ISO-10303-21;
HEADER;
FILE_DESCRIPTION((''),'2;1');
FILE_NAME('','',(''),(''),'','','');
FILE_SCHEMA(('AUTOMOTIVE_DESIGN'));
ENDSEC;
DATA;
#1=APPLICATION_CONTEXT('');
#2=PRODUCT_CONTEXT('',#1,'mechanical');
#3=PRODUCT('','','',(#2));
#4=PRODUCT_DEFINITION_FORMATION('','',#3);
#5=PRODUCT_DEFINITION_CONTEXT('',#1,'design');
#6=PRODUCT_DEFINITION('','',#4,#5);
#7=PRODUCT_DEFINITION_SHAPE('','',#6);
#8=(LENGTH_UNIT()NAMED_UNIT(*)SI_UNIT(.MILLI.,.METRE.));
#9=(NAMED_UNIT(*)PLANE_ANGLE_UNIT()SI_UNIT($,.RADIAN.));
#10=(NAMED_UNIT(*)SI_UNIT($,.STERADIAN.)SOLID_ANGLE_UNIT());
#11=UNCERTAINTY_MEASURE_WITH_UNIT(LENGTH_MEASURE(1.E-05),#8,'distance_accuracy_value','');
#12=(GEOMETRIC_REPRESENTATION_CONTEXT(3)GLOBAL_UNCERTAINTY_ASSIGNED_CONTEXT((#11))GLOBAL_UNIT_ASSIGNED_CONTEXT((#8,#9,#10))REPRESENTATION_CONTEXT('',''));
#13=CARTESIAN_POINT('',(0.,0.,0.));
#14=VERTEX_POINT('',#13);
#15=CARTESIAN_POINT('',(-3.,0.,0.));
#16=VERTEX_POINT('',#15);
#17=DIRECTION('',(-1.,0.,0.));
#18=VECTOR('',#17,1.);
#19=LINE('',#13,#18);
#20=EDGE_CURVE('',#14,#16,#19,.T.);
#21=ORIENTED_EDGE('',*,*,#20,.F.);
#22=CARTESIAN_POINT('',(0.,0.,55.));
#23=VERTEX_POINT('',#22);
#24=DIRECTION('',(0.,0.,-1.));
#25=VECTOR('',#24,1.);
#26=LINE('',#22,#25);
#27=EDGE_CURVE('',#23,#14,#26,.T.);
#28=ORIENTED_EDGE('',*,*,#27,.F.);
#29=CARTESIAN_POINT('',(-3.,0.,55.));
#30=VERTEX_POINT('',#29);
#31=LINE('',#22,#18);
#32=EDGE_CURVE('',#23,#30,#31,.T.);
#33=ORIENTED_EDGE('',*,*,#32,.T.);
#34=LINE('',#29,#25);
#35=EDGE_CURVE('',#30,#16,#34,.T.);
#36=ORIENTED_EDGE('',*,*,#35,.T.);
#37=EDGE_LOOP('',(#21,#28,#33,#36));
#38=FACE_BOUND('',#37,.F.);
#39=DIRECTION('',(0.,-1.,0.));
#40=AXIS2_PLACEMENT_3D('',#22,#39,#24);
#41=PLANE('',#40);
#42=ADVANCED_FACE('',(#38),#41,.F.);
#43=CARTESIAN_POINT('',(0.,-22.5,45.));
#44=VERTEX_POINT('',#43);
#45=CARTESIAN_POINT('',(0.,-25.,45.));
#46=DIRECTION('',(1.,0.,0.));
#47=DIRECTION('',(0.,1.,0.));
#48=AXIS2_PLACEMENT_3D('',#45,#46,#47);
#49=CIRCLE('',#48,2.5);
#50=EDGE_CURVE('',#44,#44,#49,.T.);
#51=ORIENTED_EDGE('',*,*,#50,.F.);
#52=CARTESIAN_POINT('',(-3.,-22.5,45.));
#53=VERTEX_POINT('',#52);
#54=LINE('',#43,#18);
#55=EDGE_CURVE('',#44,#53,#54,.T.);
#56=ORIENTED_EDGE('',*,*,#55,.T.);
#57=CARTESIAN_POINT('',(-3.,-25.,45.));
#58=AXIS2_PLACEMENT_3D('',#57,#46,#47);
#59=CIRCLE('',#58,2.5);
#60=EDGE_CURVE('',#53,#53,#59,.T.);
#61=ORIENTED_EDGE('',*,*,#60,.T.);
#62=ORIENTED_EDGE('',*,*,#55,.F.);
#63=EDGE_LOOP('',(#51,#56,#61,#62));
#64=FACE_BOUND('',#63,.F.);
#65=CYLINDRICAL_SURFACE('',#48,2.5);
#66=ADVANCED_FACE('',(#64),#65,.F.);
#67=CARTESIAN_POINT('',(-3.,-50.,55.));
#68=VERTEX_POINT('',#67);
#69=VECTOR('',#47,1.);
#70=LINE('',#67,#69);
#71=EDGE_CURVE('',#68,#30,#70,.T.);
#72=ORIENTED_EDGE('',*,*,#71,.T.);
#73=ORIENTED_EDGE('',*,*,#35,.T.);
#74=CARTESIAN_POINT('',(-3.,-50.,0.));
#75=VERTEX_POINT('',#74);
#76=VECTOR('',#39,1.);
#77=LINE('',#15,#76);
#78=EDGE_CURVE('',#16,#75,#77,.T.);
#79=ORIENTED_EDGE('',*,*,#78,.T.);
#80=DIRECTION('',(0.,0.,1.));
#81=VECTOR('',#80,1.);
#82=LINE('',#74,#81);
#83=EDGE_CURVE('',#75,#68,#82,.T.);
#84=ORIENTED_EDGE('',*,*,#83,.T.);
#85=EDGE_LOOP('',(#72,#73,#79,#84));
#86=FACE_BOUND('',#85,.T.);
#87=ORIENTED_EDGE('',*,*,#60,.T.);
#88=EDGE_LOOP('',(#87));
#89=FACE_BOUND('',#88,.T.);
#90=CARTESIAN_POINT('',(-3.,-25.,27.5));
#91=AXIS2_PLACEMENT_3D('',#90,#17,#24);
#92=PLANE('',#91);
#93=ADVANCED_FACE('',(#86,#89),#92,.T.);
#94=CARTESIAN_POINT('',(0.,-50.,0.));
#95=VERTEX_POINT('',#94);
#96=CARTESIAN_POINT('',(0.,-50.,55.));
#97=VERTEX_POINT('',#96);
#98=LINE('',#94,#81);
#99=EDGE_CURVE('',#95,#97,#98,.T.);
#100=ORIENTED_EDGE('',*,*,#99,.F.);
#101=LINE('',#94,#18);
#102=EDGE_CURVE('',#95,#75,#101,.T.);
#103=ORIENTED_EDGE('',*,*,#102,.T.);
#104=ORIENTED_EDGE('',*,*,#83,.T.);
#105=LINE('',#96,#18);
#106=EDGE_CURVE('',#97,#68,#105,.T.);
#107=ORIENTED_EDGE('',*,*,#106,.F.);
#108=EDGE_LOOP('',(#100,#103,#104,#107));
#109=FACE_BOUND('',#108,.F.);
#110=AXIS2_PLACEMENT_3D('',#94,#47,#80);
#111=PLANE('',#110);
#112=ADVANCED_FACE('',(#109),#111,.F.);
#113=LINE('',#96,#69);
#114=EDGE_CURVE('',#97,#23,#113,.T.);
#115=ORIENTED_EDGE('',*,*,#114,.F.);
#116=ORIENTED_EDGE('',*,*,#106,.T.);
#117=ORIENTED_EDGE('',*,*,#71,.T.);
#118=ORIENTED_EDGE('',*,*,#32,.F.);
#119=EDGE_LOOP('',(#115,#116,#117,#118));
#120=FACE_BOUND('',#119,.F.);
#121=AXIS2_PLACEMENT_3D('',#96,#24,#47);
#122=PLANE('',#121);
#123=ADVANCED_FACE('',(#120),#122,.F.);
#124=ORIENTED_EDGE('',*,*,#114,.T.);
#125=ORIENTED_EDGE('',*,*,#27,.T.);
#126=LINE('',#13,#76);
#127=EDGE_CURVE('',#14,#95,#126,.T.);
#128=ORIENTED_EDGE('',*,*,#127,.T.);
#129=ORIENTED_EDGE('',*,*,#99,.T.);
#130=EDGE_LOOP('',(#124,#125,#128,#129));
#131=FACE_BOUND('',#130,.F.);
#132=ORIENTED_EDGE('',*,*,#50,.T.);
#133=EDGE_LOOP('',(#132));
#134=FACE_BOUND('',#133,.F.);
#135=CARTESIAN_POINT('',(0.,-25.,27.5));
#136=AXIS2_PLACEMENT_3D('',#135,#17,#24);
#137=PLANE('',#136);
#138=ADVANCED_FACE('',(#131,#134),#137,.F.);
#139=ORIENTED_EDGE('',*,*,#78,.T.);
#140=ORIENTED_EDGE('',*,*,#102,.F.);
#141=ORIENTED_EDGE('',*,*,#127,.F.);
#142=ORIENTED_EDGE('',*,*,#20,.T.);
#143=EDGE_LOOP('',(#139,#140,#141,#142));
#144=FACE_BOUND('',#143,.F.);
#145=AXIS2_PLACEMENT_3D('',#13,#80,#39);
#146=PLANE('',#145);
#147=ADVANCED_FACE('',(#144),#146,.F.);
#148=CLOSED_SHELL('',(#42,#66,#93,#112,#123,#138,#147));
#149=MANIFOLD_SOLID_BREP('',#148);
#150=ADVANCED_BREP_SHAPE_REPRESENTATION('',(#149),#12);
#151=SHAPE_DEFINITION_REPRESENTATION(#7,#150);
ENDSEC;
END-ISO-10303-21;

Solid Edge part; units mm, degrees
sketch "Sketch1" plane through (0, 0, 0) normal (1, 0, 0) x (0, 1, 0)
  line L0 (0, 0) -> (-50, 0)
  line L1 (-50, 0) -> (-50, 55)
  line L2 (-50, 55) -> (0, 55)
  line L3 (0, 55) -> (0, 0)
  circle A0 centre (-25, 45) radius 2.5
  dimension "D1" = 50
  dimension "D2" = 55
  dimension "D3" = 5
  dimension "D4" = 10
extrude "Protrusion1" add sketch "Sketch1" against normal blind 3
properties material "Acier"
